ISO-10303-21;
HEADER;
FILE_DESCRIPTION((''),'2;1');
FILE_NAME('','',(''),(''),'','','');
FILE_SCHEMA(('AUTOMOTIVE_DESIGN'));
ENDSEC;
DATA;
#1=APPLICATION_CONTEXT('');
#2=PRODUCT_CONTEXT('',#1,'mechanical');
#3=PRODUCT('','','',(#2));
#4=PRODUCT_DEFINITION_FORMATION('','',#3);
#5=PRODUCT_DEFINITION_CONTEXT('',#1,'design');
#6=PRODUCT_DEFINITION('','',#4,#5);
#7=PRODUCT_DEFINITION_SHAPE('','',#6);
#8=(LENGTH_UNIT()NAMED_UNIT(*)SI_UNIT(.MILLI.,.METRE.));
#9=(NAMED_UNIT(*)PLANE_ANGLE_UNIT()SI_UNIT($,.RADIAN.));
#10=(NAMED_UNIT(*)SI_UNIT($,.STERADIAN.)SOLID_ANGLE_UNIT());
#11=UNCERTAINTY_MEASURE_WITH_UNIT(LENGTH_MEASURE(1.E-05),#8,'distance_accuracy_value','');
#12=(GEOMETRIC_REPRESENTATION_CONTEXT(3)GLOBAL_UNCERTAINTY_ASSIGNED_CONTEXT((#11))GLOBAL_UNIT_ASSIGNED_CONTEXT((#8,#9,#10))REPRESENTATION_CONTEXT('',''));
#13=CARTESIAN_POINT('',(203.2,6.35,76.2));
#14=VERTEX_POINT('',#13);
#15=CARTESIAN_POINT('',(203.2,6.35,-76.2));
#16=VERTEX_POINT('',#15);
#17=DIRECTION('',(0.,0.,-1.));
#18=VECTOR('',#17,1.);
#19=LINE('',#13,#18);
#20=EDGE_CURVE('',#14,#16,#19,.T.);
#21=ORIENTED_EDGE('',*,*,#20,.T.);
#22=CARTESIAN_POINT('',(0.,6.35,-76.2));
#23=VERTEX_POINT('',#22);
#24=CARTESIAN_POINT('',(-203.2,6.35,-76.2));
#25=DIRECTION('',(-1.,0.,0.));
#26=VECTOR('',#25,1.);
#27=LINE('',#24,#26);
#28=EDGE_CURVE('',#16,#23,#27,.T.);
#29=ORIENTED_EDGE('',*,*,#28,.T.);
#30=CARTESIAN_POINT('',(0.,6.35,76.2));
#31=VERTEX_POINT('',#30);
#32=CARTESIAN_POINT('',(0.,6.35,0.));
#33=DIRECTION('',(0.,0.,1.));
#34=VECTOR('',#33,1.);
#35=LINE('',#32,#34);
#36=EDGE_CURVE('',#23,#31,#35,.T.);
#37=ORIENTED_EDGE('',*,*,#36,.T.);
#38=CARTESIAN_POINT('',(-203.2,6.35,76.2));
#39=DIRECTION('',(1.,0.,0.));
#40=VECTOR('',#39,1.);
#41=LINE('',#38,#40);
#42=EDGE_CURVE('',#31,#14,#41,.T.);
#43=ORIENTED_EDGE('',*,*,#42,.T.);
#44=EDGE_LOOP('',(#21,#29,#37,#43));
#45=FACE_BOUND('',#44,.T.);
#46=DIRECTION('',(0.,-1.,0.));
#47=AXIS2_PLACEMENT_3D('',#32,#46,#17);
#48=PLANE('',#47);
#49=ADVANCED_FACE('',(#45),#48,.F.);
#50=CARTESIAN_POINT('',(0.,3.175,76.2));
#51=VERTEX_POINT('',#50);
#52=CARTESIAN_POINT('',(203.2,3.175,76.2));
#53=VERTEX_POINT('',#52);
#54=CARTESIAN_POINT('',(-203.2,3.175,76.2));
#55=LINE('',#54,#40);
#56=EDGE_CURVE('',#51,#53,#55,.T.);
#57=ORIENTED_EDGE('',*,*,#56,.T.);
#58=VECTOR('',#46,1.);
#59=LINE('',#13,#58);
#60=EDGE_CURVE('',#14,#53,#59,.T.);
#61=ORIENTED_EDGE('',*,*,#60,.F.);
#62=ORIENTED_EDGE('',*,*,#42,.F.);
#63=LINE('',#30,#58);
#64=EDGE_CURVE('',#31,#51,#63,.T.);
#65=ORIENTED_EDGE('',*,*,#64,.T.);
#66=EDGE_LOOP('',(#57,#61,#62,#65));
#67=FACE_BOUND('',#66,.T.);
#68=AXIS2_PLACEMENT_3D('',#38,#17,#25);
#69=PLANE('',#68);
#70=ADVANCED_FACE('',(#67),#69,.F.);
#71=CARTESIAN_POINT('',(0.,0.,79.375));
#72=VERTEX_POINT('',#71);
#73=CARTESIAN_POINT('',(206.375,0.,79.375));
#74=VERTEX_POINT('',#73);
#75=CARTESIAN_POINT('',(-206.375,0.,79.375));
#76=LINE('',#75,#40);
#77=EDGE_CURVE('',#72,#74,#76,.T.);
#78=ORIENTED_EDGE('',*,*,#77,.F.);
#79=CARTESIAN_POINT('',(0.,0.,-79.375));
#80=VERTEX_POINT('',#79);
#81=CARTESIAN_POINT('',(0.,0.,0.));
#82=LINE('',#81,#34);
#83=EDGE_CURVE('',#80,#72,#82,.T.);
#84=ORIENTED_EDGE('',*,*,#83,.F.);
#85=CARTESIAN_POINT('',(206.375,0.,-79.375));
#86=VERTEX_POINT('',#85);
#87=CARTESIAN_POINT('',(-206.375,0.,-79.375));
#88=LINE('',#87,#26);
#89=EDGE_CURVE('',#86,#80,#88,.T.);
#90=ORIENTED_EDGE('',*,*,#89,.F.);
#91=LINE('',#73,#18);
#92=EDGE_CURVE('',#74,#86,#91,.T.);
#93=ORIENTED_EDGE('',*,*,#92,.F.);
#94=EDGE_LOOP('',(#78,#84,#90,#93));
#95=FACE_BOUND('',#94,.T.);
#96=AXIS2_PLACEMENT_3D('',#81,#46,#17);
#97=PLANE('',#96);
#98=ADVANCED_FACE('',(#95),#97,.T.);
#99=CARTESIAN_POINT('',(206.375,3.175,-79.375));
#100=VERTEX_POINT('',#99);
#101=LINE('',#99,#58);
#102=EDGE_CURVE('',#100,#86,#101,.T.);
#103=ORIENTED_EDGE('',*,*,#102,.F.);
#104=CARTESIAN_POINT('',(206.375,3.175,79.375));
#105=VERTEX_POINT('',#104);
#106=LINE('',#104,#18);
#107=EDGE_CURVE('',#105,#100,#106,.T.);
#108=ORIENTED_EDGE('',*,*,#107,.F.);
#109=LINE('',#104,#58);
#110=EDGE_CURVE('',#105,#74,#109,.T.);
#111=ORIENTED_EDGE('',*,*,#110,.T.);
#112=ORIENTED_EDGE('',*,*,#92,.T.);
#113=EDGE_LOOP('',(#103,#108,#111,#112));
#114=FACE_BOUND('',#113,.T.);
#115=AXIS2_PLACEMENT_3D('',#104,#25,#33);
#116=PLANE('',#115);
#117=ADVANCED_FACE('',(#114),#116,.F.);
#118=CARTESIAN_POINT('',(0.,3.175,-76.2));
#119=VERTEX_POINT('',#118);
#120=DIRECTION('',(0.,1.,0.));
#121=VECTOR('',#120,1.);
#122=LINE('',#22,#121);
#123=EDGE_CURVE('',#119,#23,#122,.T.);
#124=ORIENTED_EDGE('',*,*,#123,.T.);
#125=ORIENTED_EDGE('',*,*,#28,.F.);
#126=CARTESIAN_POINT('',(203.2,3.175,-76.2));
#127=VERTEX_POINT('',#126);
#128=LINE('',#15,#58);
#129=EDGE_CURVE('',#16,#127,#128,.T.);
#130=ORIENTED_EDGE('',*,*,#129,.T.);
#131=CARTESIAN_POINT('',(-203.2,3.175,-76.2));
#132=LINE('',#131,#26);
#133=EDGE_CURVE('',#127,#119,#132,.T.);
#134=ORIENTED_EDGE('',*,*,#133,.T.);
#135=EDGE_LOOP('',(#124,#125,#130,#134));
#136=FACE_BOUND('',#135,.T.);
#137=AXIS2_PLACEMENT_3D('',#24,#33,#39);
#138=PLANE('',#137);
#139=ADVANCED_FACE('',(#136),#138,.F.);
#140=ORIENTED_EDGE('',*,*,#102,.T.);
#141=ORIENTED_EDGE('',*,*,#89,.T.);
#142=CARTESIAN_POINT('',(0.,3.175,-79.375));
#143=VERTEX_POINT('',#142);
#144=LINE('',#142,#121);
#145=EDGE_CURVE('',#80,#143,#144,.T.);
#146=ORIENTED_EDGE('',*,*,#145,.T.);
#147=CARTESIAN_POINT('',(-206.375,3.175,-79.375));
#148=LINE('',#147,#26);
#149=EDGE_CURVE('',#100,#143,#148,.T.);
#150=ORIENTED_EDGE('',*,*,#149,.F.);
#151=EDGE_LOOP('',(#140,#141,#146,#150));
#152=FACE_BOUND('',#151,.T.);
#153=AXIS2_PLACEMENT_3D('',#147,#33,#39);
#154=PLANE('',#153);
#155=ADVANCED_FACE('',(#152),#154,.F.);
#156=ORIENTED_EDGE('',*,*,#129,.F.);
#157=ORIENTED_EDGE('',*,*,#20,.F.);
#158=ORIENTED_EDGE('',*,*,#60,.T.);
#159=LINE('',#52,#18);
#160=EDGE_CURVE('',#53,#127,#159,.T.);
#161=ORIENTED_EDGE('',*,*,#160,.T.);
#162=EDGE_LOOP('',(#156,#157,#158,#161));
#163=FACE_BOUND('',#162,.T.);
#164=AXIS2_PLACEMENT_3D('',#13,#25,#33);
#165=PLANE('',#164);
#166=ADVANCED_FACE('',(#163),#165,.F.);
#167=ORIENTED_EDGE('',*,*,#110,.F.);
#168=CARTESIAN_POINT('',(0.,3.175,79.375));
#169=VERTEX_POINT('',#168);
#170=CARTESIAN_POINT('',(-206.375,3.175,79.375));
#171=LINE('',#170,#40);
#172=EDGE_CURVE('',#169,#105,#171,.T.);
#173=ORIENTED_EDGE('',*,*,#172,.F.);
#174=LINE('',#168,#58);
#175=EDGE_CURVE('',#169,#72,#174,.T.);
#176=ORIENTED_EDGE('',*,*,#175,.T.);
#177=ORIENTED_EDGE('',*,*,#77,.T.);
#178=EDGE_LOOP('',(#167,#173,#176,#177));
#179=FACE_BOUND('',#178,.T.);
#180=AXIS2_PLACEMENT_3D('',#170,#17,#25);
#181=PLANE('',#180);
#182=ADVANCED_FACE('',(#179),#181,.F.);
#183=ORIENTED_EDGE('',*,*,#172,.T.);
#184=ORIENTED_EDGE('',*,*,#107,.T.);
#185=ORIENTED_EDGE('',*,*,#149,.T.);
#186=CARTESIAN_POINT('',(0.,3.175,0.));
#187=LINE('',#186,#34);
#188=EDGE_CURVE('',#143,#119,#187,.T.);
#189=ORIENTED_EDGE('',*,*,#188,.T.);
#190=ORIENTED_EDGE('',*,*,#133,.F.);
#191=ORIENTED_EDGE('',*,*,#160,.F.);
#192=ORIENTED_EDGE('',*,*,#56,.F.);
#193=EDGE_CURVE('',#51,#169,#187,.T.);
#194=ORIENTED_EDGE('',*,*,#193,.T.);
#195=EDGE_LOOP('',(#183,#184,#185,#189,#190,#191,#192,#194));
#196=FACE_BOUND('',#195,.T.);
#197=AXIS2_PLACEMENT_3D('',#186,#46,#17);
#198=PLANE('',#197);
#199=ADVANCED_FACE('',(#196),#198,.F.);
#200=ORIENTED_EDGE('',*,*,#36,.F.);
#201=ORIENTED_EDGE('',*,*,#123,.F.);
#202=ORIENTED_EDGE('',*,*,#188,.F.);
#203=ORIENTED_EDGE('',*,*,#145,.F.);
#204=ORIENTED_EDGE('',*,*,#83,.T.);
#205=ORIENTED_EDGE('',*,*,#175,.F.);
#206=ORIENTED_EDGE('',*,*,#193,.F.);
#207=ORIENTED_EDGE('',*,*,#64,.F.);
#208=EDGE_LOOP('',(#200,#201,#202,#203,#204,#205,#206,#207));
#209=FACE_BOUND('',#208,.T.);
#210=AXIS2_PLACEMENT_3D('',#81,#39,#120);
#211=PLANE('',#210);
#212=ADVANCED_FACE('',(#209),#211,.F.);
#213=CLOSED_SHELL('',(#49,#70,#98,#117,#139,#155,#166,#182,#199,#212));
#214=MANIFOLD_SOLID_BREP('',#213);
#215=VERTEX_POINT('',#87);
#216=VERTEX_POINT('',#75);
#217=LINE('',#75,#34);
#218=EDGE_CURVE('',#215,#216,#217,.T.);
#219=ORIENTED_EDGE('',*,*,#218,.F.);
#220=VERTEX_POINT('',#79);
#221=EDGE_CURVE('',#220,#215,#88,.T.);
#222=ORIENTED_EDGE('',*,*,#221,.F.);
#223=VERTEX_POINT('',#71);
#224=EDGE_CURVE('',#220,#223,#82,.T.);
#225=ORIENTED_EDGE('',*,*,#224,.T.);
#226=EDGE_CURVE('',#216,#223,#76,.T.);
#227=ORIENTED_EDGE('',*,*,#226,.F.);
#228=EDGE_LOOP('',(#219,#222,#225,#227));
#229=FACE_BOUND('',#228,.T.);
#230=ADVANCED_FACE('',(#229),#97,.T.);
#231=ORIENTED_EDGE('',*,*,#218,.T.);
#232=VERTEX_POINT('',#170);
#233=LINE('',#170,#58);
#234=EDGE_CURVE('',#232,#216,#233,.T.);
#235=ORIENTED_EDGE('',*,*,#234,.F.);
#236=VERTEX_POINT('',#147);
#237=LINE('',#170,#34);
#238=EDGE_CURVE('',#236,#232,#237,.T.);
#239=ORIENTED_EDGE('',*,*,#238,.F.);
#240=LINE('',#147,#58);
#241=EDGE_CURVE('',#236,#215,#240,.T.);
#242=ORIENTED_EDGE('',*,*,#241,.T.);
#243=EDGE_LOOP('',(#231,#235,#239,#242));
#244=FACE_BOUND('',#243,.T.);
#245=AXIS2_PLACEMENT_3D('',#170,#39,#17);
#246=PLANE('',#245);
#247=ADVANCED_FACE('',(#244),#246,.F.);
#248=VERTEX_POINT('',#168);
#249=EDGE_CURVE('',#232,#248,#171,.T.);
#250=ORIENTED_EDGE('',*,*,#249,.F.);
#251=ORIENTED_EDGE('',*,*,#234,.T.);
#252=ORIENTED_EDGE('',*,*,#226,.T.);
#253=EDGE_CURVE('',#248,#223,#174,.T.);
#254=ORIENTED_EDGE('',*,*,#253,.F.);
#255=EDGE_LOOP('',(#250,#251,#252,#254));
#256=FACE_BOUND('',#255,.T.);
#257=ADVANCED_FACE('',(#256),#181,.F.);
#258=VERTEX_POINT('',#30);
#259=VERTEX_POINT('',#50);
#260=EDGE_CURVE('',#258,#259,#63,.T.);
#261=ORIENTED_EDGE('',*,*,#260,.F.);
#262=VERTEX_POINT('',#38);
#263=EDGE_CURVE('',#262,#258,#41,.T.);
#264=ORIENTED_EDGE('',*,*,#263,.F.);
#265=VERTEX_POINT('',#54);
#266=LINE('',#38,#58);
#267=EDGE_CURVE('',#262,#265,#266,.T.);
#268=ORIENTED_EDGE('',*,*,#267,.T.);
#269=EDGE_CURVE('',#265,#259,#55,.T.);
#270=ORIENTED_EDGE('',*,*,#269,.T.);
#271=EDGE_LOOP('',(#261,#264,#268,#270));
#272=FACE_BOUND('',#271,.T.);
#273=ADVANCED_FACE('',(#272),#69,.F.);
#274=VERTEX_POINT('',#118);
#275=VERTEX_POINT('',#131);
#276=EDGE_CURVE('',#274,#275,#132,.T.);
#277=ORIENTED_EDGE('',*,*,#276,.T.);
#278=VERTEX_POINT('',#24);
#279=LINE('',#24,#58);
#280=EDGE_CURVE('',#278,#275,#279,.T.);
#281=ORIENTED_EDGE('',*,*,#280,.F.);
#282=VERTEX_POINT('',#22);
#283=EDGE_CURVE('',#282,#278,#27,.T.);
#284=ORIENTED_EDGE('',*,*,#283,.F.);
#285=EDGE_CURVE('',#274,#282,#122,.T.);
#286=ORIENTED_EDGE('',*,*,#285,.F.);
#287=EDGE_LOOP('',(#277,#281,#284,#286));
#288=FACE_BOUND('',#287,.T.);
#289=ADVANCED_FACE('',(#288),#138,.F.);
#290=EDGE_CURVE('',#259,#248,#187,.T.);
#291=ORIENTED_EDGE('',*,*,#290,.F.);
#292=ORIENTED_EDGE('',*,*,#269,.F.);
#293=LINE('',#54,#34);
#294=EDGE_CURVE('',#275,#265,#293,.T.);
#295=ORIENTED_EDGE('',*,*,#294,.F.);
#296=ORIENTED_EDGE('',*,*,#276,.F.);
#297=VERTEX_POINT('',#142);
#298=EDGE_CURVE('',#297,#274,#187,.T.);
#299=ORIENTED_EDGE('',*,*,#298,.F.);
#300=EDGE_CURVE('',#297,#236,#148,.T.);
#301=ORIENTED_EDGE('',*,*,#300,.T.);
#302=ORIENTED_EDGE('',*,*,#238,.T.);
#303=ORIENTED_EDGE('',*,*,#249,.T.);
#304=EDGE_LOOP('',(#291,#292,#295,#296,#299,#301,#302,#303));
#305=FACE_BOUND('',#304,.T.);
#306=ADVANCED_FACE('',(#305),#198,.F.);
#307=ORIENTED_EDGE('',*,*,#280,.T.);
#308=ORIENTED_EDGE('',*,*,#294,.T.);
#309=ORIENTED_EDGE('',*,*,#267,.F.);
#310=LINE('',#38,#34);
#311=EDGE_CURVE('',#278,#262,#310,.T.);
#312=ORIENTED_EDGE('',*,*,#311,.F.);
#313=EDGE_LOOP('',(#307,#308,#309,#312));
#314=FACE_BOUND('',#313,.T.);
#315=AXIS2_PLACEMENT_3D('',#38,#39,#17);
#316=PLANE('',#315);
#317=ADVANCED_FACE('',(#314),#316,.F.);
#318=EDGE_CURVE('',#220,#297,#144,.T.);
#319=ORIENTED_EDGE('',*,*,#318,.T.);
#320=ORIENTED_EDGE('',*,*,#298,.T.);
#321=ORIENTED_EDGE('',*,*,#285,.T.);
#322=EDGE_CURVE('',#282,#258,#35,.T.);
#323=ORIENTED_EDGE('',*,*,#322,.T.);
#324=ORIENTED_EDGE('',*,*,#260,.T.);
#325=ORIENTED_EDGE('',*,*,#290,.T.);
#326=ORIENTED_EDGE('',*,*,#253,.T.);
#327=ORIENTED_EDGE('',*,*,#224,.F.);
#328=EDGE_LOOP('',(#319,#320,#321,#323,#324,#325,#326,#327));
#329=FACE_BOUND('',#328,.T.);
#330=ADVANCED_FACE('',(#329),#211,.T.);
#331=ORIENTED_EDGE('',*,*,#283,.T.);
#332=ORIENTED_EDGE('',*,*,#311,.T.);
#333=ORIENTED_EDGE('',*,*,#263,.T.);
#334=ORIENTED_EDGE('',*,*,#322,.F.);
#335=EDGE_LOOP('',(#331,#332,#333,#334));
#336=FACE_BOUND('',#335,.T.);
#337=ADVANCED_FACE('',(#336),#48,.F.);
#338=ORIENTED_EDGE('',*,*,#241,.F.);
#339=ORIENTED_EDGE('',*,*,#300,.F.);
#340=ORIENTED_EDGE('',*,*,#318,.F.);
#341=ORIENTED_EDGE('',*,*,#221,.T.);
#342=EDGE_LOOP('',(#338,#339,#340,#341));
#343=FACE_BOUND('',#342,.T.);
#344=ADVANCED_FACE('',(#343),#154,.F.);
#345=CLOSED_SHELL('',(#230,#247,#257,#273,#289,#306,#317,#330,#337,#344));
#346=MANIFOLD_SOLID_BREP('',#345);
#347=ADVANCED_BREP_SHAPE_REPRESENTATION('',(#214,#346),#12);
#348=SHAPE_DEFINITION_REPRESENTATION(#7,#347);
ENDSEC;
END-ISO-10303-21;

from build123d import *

# Parameters (mm, degrees)
SKETCH1_W           = 412.75
SKETCH1_H           = 158.75
SKETCH1_W_2         = 406.4
SKETCH1_H_2         = 152.4
BOSS_EXTRUDE3_DEPTH = 3.175
SKETCH2_W           = 406.4
SKETCH2_H           = 152.4
BOSS_EXTRUDE5_DEPTH = 6.35


with BuildPart() as part:
    # Sketch1 → Boss-Extrude3 (new body)
    with BuildSketch(Plane(origin=(0, 0, 0), x_dir=(1, 0, 0), z_dir=(0, 1, 0))):
        Rectangle(SKETCH1_W, SKETCH1_H)
        Rectangle(SKETCH1_W_2, SKETCH1_H_2, mode=Mode.SUBTRACT)
    extrude(amount=BOSS_EXTRUDE3_DEPTH)

    # Sketch2 → Boss-Extrude5 (add)
    with BuildSketch(Plane(origin=(0, 0, 0), x_dir=(1, 0, 0), z_dir=(0, 1, 0))):
        Rectangle(SKETCH2_W, SKETCH2_H)
    extrude(amount=BOSS_EXTRUDE5_DEPTH)


with BuildPart() as body_2:
    # Split1: the piece on the far side of the plane
    add(part.part)
    split(bisect_by=Plane.YZ, keep=Keep.BOTTOM)


with BuildPart() as part_1:
    add(part.part)

    # Split1
    split(bisect_by=Plane.YZ, keep=Keep.TOP)


solid = Compound([body_2.part, part_1.part])
